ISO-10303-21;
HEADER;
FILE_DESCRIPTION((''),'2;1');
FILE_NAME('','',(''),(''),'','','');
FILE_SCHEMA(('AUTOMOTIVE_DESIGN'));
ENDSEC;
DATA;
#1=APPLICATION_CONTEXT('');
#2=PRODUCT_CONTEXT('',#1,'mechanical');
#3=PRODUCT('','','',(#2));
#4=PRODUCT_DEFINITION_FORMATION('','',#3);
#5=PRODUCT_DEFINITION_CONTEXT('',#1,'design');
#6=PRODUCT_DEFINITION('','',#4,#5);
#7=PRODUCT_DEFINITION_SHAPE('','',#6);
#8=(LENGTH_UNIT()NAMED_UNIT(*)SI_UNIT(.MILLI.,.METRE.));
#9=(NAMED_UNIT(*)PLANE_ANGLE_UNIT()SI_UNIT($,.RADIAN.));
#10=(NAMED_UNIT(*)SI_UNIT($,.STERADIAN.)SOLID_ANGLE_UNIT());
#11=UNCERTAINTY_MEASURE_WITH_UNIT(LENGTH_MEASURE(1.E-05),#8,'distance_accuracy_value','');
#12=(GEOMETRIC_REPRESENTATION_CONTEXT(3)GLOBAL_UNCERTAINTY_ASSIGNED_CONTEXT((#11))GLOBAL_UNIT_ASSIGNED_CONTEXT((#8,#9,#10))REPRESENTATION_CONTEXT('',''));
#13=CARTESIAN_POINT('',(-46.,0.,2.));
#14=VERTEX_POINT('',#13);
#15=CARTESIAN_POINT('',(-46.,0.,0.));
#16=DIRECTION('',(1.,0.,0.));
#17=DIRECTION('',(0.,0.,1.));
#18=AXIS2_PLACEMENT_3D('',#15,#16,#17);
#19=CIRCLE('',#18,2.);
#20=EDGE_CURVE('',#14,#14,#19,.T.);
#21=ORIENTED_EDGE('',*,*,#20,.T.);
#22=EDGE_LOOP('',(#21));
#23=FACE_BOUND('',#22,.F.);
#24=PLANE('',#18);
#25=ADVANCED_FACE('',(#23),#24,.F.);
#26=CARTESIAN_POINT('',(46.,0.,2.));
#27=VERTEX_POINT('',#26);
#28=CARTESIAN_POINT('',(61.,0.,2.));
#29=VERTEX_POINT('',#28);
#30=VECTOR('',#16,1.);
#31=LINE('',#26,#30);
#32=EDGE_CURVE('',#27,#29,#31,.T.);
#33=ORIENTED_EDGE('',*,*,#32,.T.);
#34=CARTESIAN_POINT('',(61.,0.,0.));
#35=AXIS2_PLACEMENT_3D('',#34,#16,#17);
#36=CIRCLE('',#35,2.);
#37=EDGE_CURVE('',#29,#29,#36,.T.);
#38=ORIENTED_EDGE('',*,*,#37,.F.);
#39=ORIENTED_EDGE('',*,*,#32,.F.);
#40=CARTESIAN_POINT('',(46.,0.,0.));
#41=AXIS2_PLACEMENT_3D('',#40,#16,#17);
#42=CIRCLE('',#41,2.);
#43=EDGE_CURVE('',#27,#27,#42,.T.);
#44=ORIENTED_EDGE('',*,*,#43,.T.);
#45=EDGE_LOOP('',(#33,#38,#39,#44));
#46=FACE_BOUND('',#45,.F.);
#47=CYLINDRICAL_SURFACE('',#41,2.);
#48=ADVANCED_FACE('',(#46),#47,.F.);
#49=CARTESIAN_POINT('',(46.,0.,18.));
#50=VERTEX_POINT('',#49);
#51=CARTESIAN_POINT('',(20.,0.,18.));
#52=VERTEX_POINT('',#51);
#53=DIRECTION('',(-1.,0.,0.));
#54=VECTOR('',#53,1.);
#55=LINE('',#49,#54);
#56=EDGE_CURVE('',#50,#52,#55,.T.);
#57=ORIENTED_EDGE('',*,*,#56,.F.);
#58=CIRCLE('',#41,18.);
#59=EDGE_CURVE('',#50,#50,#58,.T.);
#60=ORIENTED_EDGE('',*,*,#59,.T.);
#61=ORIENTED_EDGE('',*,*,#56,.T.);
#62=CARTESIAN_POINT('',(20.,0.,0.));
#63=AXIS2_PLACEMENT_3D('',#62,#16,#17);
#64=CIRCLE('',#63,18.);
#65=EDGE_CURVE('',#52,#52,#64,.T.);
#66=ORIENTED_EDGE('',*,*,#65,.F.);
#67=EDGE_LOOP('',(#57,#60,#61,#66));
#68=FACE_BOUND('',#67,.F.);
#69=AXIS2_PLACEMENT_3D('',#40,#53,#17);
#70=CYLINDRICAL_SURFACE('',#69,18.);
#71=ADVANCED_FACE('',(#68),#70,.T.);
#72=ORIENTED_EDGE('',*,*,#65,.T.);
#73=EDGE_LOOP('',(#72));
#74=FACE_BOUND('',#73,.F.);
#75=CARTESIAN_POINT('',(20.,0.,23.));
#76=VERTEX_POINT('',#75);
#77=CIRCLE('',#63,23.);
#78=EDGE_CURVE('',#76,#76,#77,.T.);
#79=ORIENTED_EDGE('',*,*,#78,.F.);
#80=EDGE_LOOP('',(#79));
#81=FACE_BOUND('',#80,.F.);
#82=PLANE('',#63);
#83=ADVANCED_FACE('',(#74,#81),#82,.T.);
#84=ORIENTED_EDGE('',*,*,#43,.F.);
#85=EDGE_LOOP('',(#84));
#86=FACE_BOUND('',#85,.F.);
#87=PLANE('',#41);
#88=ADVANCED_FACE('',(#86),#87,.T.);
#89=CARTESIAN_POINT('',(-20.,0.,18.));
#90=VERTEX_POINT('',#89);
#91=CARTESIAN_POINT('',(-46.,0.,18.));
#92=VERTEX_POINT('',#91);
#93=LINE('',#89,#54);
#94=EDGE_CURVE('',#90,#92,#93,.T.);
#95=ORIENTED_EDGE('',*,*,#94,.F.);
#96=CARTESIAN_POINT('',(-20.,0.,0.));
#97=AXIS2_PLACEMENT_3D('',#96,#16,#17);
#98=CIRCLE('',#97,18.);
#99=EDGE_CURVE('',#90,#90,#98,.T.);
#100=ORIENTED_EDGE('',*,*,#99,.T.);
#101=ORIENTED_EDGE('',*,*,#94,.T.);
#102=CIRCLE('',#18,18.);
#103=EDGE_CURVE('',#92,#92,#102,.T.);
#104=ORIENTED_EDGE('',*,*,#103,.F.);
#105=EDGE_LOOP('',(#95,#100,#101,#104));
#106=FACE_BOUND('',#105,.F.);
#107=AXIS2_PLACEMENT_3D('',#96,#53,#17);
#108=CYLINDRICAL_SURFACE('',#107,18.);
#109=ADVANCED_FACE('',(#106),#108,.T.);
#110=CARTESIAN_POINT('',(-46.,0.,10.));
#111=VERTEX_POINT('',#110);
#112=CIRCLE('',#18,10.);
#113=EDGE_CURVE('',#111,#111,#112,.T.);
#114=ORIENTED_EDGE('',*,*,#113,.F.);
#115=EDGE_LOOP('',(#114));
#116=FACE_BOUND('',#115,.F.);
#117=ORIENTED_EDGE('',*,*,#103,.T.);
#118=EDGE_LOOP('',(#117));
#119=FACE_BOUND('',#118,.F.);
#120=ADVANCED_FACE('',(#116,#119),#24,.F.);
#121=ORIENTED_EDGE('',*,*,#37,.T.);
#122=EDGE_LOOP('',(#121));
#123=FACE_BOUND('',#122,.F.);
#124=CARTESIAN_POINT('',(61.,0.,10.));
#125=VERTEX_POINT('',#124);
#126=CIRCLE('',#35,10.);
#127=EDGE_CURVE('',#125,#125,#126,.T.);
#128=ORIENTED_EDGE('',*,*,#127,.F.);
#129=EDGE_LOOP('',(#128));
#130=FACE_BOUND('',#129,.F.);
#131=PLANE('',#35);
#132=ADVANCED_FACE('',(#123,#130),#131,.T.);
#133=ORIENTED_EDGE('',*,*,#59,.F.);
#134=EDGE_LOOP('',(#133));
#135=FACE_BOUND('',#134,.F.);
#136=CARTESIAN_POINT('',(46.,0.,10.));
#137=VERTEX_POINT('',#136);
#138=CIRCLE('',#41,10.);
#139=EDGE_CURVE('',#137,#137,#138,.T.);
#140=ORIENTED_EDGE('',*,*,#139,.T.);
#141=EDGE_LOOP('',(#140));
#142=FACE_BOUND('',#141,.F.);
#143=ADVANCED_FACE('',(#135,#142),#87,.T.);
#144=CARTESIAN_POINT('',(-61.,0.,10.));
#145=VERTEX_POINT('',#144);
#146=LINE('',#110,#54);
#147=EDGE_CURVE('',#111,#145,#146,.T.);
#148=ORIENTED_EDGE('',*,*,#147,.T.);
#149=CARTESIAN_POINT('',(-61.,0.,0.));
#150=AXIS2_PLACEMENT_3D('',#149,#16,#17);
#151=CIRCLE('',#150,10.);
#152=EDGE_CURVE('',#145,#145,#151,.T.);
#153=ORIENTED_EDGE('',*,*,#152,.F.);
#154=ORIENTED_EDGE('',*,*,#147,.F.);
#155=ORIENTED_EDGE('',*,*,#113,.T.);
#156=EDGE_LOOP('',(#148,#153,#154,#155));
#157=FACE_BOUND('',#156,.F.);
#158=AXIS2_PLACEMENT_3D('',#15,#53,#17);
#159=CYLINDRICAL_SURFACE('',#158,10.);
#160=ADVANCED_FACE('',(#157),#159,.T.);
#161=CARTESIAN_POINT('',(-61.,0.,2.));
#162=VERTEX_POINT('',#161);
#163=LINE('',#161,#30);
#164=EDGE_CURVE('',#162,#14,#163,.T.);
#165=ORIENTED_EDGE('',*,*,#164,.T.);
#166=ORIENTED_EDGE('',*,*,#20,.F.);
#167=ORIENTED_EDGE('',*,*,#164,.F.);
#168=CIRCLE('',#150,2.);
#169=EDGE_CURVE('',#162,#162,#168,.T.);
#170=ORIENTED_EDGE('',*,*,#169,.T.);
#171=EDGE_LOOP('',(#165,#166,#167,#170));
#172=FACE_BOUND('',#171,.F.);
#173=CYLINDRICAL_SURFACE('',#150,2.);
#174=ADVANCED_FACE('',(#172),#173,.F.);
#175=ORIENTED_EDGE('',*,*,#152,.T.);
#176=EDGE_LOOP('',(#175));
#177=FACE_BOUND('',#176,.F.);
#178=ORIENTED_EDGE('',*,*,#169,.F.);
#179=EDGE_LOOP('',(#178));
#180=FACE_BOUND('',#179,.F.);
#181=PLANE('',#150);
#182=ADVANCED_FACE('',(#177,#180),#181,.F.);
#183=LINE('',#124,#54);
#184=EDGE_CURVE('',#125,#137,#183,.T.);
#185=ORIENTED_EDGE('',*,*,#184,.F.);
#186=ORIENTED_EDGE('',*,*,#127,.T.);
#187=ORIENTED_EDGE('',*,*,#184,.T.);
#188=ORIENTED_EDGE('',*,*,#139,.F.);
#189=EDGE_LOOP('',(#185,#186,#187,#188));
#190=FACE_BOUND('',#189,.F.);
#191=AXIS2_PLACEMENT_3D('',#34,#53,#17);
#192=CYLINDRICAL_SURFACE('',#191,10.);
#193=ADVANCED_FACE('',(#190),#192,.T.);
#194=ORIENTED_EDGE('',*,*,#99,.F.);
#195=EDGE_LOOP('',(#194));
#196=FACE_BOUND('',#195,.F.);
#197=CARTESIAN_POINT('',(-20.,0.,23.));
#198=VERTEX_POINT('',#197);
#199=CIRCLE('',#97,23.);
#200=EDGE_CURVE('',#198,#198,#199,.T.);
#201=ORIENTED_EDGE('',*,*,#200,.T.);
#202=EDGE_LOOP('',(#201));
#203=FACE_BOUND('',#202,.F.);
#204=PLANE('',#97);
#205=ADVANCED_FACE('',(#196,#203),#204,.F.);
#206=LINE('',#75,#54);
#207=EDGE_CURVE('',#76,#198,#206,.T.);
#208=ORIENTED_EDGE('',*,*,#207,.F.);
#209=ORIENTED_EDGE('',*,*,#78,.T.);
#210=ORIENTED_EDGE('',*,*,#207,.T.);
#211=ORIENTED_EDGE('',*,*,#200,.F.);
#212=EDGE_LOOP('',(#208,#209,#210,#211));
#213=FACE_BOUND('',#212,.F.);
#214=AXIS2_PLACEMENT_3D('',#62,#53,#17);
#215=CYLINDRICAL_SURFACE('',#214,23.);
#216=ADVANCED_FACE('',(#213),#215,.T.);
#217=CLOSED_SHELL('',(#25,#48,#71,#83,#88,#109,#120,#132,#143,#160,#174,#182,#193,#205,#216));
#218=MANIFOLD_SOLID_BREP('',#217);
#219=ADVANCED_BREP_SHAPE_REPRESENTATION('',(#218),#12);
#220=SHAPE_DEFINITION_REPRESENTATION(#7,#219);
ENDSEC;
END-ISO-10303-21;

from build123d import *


with BuildPart() as f1:
    # F0 (on Front) → F1 (revolve)
    with BuildSketch(Plane.XZ):
        Polygon((-46, 0), (-20, 0), (38.065717, 0), (46, 0), (46, 2), (61, 2), (61, 10), (46, 10), (46, 18), (20, 18), (20, 23), (-20, 23), (-20, 18), (-46, 18), (-46, 10), (-61, 10), (-61, 2), (-46, 2), align=None)
    revolve(axis=Axis((-2.407254, 0, 0), (1, 0, 0)))


solid = f1.part
